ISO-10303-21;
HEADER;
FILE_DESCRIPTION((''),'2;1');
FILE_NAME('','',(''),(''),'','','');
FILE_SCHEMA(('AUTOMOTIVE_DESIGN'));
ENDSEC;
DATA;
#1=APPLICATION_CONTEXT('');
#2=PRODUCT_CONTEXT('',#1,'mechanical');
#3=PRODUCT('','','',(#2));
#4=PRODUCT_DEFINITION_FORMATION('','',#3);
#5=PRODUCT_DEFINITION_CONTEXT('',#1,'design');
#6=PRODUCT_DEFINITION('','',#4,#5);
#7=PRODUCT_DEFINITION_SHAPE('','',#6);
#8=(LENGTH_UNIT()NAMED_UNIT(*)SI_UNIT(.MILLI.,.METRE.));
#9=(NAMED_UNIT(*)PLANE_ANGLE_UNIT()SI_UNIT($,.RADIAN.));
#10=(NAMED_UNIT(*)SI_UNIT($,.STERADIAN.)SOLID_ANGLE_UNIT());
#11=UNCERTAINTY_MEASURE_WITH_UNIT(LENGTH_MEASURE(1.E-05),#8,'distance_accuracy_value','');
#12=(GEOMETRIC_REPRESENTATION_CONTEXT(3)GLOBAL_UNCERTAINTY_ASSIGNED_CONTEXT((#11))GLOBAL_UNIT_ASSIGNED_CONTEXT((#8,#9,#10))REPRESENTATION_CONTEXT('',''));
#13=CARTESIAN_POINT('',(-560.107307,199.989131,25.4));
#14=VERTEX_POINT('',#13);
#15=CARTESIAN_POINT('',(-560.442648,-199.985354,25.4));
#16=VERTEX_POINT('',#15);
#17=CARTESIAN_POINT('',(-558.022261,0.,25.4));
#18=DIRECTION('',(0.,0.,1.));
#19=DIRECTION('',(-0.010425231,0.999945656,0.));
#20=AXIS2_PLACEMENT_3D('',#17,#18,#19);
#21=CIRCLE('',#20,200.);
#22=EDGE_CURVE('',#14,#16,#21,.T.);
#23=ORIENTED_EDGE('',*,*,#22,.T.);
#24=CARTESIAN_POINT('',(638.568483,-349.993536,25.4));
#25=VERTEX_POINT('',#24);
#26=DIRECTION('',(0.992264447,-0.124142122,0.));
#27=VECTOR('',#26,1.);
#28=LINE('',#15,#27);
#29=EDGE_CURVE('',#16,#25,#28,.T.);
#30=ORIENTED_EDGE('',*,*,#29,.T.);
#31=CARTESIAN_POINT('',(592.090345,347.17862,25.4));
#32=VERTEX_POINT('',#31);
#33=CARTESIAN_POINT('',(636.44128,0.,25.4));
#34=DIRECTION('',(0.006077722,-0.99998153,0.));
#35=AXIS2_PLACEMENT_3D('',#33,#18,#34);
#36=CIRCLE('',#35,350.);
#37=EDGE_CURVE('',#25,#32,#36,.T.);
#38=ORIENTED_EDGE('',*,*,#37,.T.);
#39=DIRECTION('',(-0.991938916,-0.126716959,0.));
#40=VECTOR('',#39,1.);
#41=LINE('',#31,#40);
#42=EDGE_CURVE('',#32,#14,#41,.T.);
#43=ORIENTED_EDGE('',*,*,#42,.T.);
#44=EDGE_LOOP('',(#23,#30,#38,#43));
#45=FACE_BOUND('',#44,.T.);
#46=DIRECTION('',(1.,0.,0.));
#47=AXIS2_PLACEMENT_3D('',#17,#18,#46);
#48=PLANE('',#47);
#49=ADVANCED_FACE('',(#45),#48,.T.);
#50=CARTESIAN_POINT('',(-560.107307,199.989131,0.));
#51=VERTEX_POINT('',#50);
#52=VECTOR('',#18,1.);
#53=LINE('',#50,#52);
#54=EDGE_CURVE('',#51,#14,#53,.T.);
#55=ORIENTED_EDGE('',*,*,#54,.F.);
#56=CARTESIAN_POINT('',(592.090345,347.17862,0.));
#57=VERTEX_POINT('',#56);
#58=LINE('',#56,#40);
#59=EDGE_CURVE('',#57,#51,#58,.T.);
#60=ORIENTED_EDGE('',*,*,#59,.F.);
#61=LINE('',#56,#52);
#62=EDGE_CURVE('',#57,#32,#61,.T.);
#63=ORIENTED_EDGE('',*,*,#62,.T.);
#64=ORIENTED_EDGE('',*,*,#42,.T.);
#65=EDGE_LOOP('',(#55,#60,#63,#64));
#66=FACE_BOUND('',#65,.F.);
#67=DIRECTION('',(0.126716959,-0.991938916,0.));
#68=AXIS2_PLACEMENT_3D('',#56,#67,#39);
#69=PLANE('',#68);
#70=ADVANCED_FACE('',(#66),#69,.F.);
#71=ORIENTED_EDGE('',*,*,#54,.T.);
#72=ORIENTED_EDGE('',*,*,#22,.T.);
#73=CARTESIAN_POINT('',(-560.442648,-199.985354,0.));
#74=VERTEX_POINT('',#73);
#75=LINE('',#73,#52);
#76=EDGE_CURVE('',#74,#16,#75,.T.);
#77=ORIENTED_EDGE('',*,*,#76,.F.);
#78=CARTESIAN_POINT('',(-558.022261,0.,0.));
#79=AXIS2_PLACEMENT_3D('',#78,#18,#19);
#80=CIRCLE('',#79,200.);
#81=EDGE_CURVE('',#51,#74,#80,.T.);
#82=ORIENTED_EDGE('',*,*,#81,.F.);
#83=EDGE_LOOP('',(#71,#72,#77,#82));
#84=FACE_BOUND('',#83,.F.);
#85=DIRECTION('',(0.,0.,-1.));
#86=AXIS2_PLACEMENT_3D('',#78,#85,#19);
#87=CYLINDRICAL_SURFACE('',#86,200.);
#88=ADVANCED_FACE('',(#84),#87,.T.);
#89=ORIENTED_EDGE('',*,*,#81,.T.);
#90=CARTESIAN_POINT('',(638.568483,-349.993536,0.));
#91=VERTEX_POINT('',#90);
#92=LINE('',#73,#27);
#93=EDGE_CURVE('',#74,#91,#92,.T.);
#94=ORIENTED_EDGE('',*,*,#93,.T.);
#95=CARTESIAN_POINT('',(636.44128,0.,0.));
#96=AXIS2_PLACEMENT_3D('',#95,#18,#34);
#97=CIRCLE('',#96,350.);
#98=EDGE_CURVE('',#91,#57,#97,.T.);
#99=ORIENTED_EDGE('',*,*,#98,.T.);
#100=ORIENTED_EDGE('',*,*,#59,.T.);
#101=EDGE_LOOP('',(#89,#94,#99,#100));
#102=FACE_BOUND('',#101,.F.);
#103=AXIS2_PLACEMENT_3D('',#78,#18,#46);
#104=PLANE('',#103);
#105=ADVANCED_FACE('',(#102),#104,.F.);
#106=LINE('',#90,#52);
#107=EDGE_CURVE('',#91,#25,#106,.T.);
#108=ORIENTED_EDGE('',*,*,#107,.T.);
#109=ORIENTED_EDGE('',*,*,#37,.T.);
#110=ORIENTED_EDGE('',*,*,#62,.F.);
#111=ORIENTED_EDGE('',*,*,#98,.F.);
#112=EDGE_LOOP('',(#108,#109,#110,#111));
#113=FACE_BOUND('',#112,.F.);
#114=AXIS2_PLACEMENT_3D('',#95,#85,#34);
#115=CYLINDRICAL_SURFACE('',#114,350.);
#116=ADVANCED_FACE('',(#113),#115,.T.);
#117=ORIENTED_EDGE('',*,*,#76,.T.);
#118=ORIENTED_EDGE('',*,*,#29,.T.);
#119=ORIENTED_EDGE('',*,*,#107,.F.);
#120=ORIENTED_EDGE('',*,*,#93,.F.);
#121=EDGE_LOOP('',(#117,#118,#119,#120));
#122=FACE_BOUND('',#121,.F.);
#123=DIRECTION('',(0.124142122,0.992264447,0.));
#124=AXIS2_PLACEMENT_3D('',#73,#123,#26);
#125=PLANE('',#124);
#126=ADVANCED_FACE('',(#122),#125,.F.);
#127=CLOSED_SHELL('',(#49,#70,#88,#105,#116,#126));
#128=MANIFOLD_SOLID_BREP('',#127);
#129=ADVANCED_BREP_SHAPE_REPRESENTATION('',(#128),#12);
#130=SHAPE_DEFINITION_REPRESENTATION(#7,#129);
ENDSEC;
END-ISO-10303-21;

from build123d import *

# Parameters (mm, degrees)
F1_DEPTH = 25.4


with BuildPart() as f1:
    # F0 (on Top) → F1 (new body)
    with BuildSketch(Plane.XY):
        with BuildLine():
            ThreePointArc((-560.4426478817, -199.9853537809), (-417.4592454916, -142.2745187922), (-358.0222609062, 0))
            ThreePointArc((-358.0222609062, 0), (-417.3400111827, 142.1566200103), (-560.1073070336, 199.9891311613))
            ThreePointArc((-560.1073070336, 199.9891311613), (-758.0221906138, 0.1676810611), (-560.4426478817, -199.9853537809))
        make_face()
        with BuildLine():
            ThreePointArc((-560.1073070336, 199.9891311613), (-417.3400111827, 142.1566200103), (-358.0222609062, 0))
            ThreePointArc((-358.0222609062, 0), (-417.4592454916, -142.2745187922), (-560.4426478817, -199.9853537809))
            Line((-560.4426478817, -199.9853537809), (548.153966507, -338.6817831176))
            ThreePointArc((548.153966507, -338.6817831176), (287.1572274491, 22.3752183114), (592.0903447479, 347.1786204706))
            Line((592.0903447479, 347.1786204706), (-560.1073070336, 199.9891311613))
        make_face()
        with BuildLine():
            ThreePointArc((986.4412803423, 0), (867.7172762238, 262.7002354948), (592.0903447479, 347.1786204706))
            ThreePointArc((592.0903447479, 347.1786204706), (287.1572274491, 22.3752183114), (548.153966507, -338.6817831176))
            Line((548.153966507, -338.6817831176), (638.5684828729, -349.993535668))
            ThreePointArc((638.5684828729, -349.993535668), (884.6795941516, -246.7341475296), (986.4412803423, 0))
        make_face()
    extrude(amount=F1_DEPTH)


solid = f1.part
